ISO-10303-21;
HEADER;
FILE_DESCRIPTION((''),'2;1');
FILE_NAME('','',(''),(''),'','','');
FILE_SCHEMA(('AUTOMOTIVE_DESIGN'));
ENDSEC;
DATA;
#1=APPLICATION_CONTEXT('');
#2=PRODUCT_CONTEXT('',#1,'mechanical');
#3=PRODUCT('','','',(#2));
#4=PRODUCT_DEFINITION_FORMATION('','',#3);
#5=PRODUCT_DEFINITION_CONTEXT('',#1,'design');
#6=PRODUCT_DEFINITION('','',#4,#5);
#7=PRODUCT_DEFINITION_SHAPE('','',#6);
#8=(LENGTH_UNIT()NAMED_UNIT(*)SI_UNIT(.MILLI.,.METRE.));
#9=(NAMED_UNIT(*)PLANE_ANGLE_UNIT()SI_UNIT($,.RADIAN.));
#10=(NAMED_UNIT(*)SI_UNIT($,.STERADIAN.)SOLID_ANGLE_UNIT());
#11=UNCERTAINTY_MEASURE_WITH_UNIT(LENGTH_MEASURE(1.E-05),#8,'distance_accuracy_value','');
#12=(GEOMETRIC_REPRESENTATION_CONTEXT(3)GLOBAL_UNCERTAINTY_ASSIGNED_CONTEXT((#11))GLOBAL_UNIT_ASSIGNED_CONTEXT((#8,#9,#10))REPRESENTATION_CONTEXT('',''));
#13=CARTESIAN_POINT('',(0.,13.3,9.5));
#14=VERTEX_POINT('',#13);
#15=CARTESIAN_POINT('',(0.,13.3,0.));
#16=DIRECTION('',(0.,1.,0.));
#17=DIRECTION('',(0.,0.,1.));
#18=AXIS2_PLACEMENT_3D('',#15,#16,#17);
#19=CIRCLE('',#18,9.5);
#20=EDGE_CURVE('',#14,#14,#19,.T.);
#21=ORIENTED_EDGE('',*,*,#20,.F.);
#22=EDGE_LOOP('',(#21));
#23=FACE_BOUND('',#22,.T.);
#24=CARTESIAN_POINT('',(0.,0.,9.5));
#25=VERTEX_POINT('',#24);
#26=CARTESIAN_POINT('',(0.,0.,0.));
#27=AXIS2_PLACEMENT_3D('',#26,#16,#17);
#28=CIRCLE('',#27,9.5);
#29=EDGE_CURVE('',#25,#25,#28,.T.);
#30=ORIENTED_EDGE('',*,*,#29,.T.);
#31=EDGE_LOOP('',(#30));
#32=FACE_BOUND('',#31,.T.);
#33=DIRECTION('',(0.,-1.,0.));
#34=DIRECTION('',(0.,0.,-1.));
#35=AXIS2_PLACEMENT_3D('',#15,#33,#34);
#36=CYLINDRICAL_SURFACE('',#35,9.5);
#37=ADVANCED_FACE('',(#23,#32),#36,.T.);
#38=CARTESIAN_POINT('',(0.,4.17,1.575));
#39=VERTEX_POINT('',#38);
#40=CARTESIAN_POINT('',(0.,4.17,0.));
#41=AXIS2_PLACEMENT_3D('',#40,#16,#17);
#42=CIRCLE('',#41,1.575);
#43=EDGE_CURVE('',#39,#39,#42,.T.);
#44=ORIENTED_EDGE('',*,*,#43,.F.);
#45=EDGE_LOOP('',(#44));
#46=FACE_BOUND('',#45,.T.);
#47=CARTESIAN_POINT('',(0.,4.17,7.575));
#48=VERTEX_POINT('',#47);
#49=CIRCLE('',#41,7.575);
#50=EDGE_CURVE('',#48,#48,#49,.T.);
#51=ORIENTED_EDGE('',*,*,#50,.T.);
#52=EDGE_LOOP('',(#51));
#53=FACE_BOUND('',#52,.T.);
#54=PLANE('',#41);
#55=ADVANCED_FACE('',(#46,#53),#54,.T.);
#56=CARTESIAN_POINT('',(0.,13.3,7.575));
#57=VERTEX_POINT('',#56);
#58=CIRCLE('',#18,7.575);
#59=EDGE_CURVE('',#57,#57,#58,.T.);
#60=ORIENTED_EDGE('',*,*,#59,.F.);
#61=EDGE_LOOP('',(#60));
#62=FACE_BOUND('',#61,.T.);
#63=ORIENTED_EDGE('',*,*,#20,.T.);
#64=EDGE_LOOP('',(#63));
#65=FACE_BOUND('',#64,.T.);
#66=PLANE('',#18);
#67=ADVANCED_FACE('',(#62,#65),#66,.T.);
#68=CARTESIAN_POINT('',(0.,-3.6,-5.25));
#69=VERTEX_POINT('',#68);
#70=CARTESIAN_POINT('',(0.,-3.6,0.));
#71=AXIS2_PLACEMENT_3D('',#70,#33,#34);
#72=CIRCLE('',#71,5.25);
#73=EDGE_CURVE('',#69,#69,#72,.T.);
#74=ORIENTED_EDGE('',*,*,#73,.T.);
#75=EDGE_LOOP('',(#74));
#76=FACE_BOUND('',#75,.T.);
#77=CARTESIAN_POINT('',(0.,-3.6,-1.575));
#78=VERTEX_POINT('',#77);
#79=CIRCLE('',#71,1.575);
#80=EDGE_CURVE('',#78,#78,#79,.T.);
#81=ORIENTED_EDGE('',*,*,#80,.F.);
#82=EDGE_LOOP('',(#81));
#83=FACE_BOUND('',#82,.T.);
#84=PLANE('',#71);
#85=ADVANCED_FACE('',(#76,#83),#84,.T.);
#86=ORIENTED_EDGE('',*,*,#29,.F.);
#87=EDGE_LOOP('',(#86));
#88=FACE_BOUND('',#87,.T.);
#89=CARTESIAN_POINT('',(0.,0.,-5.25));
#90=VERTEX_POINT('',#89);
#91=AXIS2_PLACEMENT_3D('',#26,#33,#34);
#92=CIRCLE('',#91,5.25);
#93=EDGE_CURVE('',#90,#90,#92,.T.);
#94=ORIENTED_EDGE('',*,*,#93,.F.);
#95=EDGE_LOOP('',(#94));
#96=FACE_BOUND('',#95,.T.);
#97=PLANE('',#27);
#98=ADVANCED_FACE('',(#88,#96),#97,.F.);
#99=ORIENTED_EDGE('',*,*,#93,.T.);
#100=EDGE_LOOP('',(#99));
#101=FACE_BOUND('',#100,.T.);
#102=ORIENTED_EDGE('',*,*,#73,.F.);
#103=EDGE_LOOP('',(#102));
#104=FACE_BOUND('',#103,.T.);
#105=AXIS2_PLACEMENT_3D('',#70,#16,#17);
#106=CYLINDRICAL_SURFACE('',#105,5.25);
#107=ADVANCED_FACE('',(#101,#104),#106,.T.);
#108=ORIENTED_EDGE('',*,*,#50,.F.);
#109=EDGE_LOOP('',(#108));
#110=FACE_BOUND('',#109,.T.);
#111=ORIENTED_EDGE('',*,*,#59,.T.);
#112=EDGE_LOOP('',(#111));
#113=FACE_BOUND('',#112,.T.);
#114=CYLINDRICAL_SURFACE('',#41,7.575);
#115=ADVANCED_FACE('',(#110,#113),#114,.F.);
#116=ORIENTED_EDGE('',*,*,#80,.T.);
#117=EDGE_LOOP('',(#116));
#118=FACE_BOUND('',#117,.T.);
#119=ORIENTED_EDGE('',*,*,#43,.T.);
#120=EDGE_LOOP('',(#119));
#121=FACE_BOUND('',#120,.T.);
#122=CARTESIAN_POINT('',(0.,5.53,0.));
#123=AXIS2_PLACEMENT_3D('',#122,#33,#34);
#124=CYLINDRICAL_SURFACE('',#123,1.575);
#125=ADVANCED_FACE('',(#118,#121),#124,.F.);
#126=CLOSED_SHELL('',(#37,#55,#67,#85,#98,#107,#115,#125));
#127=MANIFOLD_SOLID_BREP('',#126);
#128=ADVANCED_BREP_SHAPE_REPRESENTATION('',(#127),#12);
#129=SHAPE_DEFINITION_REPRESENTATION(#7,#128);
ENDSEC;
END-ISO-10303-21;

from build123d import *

# Parameters (mm, degrees)
ESQUISSE1_R             = 9.5
BOSS_EXTRU_2_DEPTH      = 13.3
ESQUISSE3_R             = 5.25
BOSS_EXTRU_3_DEPTH      = 3.6
ESQUISSE4_R             = 7.575
ENL_V_MAT_EXTRU_1_DEPTH = 9.13
ESQUISSE5_R             = 1.575
ENL_V_MAT_EXTRU_2_DEPTH = 9.13


with BuildPart() as part:
    # Esquisse1 → Boss.-Extru.2 (new body)
    with BuildSketch(Plane(origin=(0, 0, 0), x_dir=(1, 0, 0), z_dir=(0, 1, 0))):
        Circle(ESQUISSE1_R)
    extrude(amount=BOSS_EXTRU_2_DEPTH)

    # Esquisse3 → Boss.-Extru.3 (add)
    with BuildSketch(Plane.XZ):
        Circle(ESQUISSE3_R)
    extrude(amount=BOSS_EXTRU_3_DEPTH)

    # Esquisse4 → Enlèv. mat.-Extru.1 (cut)
    with BuildSketch(Plane(origin=(0, 13.3, 0), x_dir=(1, 0, 0), z_dir=(0, 1, 0))):
        Circle(ESQUISSE4_R)
    extrude(amount=-ENL_V_MAT_EXTRU_1_DEPTH, mode=Mode.SUBTRACT)

    # Esquisse5 → Enlèv. mat.-Extru.2 (cut)
    with BuildSketch(Plane.XZ.offset(3.6)):
        Circle(ESQUISSE5_R)
    extrude(amount=-ENL_V_MAT_EXTRU_2_DEPTH, mode=Mode.SUBTRACT)


solid = part.part
